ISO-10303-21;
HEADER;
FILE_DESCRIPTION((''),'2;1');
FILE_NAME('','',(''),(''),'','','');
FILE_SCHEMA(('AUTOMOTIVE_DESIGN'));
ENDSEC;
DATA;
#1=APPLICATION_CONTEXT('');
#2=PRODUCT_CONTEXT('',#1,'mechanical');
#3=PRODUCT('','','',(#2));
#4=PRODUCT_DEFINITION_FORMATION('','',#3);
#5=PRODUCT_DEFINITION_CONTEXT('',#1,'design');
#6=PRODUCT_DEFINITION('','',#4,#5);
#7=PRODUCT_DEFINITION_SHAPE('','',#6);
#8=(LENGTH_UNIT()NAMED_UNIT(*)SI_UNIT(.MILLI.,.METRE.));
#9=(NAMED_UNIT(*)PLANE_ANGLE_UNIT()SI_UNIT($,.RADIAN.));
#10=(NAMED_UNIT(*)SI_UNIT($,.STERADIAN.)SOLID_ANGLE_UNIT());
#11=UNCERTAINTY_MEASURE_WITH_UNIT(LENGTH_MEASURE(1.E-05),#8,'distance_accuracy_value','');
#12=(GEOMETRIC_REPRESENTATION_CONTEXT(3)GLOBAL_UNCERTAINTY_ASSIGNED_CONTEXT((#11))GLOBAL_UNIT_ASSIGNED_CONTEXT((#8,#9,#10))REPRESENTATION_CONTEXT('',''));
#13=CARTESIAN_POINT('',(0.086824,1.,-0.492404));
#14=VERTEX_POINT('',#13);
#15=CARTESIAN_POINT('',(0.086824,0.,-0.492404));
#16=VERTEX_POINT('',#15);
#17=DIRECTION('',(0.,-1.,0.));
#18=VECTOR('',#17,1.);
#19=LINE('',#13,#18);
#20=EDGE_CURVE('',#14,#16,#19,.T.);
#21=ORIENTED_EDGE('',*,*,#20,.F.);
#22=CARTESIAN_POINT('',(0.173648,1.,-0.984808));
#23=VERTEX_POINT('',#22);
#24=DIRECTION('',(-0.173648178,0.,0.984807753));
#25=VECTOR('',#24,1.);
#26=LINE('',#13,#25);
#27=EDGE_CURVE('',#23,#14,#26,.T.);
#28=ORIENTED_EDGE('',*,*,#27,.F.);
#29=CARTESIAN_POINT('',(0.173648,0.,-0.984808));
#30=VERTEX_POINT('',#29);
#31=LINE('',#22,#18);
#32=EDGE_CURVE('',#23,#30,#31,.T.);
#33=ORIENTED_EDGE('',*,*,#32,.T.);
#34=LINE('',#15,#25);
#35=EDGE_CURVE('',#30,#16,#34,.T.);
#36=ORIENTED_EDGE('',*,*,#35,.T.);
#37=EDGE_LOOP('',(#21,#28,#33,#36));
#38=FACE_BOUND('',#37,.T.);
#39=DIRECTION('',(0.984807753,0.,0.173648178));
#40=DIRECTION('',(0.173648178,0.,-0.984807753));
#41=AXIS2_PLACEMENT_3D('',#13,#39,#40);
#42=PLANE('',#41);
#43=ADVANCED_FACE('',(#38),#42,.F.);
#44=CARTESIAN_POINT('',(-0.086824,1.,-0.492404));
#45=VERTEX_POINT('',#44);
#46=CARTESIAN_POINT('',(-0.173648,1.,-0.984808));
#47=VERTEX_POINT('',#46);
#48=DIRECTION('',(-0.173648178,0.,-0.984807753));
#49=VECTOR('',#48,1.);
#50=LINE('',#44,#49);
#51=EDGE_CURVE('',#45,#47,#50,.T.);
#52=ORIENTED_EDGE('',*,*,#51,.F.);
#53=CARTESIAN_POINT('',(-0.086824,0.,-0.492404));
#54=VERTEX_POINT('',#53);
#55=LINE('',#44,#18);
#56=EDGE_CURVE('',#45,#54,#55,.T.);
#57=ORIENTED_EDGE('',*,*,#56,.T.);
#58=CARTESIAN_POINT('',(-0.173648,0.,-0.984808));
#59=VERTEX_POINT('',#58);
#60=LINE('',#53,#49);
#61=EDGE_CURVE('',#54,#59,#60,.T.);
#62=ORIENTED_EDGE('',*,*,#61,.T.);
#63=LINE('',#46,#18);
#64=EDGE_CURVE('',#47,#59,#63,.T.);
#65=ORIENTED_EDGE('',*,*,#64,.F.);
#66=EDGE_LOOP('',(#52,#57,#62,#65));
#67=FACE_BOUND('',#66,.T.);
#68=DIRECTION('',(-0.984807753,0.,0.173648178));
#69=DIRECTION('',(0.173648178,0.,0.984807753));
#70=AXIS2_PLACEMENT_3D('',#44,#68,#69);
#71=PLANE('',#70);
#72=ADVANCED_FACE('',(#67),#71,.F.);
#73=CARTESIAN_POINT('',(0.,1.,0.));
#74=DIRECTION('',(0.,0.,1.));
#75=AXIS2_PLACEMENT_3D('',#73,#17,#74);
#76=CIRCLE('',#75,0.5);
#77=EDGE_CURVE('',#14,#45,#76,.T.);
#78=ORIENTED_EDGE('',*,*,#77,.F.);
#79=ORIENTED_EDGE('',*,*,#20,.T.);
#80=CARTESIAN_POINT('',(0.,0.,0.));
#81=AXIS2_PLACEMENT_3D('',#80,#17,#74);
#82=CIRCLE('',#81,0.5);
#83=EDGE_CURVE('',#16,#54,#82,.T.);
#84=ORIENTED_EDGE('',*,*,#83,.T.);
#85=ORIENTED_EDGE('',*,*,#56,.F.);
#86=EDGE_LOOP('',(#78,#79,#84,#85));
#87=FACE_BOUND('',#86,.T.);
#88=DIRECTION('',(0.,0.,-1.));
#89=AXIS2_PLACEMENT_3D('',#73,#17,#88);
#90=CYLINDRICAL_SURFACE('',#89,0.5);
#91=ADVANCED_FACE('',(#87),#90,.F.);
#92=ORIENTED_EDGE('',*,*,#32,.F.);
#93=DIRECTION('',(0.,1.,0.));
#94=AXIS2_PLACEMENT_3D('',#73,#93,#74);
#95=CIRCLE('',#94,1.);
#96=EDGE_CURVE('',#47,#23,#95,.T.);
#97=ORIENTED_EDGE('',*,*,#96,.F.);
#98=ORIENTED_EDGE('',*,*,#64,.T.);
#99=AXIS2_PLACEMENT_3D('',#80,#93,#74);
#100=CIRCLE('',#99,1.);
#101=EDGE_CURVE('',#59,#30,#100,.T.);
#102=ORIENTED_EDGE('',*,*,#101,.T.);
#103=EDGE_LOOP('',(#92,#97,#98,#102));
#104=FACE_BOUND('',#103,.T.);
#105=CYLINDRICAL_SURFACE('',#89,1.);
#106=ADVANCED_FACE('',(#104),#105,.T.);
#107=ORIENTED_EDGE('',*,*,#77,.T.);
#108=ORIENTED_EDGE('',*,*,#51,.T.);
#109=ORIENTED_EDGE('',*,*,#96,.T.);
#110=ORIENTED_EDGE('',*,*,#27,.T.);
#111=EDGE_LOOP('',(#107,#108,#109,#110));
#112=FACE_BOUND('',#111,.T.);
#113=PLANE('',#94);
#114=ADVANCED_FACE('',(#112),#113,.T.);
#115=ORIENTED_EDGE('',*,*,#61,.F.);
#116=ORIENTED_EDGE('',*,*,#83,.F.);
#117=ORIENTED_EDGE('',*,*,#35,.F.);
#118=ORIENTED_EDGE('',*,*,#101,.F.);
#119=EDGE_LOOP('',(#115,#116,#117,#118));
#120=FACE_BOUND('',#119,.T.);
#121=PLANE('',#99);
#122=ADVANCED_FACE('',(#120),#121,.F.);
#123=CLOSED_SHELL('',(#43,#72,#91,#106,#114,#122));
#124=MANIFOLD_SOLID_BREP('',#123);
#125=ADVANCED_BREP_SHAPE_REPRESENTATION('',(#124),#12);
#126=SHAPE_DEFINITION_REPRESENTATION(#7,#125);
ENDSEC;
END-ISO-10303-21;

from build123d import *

# Parameters (mm, degrees)
BOSS_EXTRUDE1_DEPTH = 1


with BuildPart() as part:
    # Sketch1 → Boss-Extrude1 (new body)
    with BuildSketch(Plane(origin=(0, 0, 0), x_dir=(1, 0, 0), z_dir=(0, 1, 0))):
        with BuildLine():
            Line((0.086824089, 0.492403877), (0.173648178, 0.984807753))
            ThreePointArc((0.173648178, 0.984807753), (0, -1), (-0.173648178, 0.984807753))
            Line((-0.173648178, 0.984807753), (-0.086824089, 0.492403877))
            ThreePointArc((-0.086824089, 0.492403877), (0, -0.5), (0.086824089, 0.492403877))
        make_face()
    extrude(amount=BOSS_EXTRUDE1_DEPTH)


solid = part.part
